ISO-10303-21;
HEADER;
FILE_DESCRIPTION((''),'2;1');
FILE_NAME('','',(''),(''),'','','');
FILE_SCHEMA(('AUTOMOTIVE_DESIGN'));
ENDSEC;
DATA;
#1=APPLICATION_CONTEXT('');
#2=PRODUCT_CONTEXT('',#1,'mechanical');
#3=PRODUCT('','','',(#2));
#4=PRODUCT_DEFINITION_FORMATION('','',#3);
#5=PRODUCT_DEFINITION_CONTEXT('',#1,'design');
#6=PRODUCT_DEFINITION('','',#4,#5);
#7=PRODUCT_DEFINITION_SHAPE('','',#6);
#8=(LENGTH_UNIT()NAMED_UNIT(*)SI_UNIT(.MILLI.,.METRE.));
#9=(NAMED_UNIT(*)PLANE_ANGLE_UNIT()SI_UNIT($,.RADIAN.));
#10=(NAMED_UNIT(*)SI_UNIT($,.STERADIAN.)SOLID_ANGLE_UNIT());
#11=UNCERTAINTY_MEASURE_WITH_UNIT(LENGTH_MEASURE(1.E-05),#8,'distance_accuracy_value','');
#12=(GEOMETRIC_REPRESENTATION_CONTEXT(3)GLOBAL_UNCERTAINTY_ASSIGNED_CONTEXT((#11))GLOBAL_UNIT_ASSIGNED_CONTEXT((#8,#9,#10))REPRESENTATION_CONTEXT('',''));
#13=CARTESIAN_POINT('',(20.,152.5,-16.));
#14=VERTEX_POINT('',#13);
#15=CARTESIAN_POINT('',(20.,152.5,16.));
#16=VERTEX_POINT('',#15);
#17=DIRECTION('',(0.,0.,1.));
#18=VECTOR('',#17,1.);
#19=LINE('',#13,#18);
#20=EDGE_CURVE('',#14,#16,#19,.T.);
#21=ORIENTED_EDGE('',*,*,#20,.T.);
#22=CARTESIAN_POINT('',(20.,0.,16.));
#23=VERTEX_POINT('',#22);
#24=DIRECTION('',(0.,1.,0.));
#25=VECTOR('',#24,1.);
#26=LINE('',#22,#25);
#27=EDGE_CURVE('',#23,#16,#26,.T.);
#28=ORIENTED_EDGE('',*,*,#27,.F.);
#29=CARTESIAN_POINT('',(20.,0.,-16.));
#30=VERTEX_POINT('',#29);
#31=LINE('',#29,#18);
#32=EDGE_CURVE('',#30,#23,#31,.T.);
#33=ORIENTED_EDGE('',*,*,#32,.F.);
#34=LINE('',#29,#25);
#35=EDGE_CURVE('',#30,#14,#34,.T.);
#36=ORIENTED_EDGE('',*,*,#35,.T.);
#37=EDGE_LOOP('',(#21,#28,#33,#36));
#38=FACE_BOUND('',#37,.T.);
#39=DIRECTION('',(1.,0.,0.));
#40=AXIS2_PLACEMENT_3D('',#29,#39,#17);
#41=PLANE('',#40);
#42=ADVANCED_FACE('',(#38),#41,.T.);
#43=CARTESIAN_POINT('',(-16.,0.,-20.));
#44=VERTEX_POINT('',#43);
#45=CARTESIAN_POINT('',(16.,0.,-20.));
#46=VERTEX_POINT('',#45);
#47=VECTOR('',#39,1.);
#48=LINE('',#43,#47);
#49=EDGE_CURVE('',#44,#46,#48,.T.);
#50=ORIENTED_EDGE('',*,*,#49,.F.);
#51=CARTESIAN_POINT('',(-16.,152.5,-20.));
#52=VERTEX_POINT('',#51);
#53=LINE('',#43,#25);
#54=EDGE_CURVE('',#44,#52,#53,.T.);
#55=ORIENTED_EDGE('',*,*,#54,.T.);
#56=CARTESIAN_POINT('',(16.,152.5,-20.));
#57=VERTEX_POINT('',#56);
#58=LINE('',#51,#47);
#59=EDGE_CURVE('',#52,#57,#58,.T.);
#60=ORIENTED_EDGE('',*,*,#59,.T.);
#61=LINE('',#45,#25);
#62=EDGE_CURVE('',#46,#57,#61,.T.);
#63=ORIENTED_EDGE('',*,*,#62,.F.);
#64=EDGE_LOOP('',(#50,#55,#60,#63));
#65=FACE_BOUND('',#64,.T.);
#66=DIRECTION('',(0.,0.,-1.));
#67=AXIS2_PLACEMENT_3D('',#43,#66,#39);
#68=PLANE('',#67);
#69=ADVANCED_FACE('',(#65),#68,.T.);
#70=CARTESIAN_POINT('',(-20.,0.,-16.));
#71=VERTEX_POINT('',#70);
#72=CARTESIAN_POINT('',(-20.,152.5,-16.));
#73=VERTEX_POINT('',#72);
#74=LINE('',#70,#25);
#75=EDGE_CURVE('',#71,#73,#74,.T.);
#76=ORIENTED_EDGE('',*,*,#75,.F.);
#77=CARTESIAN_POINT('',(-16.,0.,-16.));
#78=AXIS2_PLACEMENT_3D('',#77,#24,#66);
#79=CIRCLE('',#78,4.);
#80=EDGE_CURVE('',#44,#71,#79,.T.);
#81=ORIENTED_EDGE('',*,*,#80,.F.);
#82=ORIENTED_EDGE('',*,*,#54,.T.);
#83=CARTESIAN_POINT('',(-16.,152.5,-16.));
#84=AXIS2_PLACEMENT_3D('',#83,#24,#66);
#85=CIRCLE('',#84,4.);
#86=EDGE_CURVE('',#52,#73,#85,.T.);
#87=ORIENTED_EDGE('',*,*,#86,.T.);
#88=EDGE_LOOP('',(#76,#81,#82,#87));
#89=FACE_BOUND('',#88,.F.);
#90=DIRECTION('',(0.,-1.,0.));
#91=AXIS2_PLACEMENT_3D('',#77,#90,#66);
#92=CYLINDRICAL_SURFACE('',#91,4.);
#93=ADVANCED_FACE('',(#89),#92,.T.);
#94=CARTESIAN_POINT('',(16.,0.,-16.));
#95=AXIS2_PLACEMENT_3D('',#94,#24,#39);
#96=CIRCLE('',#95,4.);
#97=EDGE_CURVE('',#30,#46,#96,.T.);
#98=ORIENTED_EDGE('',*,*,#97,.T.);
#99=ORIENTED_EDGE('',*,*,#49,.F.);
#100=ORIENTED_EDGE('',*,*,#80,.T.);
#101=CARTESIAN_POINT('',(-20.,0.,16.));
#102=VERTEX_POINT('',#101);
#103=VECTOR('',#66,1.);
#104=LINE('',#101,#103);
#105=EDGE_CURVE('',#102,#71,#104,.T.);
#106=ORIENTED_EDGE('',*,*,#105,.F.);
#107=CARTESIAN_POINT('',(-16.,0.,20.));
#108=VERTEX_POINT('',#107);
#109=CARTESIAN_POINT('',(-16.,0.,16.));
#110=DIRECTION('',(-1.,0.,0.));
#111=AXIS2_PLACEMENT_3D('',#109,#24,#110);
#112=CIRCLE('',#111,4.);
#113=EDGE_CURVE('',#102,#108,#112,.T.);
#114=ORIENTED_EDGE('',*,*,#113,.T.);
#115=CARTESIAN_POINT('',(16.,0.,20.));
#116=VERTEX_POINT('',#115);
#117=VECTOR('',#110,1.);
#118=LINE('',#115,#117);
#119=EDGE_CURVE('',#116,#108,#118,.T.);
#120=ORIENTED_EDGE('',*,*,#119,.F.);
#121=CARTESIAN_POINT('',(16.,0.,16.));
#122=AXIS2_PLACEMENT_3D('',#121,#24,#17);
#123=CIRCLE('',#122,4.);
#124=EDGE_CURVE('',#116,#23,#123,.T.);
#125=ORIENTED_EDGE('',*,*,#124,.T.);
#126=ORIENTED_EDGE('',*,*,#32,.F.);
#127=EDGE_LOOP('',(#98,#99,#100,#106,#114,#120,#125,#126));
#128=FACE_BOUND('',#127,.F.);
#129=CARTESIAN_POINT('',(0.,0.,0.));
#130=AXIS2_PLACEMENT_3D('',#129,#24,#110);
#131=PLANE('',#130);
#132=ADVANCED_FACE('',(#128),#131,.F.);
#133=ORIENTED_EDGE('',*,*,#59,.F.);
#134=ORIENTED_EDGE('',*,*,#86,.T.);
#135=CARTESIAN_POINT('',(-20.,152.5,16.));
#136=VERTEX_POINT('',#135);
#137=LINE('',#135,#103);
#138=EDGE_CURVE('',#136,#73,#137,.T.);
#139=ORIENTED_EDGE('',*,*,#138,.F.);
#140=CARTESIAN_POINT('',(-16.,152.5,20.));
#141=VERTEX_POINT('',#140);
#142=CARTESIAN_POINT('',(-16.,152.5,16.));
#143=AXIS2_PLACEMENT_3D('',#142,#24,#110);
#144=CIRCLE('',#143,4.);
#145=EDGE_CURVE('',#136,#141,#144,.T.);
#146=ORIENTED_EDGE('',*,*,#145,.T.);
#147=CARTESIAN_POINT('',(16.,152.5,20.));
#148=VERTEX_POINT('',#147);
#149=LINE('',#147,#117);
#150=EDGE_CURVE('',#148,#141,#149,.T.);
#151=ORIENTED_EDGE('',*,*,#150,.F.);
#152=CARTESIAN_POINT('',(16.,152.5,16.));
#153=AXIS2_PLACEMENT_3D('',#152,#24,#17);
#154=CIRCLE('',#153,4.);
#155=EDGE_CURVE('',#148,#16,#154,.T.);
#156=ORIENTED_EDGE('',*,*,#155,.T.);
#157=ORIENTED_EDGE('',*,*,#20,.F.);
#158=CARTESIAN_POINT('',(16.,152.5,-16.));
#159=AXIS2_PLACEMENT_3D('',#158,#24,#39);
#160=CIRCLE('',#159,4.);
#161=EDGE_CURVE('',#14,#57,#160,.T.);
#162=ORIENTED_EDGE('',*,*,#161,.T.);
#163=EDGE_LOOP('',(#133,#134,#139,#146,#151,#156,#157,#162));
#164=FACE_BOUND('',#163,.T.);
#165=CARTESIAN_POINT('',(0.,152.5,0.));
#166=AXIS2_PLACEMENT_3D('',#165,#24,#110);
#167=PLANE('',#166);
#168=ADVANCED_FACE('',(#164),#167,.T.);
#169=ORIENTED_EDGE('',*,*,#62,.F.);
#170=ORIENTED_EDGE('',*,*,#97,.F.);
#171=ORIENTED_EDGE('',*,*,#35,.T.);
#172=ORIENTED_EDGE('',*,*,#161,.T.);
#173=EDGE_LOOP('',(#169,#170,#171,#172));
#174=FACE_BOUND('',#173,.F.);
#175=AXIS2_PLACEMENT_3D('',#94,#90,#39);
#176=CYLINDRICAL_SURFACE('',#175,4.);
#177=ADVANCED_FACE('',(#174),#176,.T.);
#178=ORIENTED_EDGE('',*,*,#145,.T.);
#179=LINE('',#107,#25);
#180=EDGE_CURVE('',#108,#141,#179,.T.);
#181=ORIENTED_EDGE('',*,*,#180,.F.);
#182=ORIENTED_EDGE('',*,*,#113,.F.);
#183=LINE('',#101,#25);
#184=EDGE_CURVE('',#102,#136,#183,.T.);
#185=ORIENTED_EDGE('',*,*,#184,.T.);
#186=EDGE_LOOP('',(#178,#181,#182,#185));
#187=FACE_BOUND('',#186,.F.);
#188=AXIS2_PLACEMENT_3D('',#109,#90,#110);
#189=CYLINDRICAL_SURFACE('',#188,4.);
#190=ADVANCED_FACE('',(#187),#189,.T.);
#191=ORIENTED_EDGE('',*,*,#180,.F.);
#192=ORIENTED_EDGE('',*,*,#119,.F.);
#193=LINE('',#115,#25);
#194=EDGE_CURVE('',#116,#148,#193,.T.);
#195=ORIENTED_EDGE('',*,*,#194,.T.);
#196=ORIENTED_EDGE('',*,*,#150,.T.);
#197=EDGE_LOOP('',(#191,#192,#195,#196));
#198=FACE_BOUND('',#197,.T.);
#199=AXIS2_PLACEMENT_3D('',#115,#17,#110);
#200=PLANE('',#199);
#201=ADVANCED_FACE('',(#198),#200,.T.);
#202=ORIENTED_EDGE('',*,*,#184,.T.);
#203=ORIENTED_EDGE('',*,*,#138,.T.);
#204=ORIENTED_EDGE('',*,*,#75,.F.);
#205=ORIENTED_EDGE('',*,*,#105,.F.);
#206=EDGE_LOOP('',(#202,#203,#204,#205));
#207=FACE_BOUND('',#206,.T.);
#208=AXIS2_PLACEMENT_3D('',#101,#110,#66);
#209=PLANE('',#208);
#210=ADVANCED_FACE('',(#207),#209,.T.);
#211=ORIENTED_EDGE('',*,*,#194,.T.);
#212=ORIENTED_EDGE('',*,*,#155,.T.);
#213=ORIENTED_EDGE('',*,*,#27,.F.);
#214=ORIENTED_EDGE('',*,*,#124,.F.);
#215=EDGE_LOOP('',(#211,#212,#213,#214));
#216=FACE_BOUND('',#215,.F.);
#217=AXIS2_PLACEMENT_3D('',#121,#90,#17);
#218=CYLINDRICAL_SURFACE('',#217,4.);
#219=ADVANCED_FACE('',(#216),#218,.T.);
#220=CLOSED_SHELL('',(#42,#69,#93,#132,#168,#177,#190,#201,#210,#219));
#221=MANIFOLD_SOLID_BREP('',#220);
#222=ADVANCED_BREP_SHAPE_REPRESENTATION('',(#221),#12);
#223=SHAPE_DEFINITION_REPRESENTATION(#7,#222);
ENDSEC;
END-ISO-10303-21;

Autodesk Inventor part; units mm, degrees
ref_plane "YZ Plane" through (0, 0, 0) normal (1, 0, 0) x (0, 1, 0)
ref_plane "XZ Plane" through (0, 0, 0) normal (0, 1, 0) x (-1, 0, 0)
ref_plane "XY Plane" through (0, 0, 0) normal (0, 0, 1) x (1, 0, 0)
sketch "Sketch1" plane through (0, 0, 0) normal (0, 1, 0) x (-1, 0, 0)
  line L0 (0, -18.0149) -> (0, 18.0149) construction
  line L1 (12.8536, 0) -> (-12.8536, 0) construction
  line L2 (16, -20) -> (-16, -20)
  arc A0 (16, -20) -> (20, -16) centre (16, -16) ccw
  line L3 (20, 16) -> (20, -16)
  arc A1 (20, 16) -> (16, 20) centre (16, 16) ccw
  line L4 (-16, 20) -> (16, 20)
  arc A2 (-20, -16) -> (-16, -20) centre (-16, -16) ccw
  arc A3 (-16, 20) -> (-20, 16) centre (-16, 16) ccw
  line L5 (-20, -16) -> (-20, 16)
  point P0 (0, 0)
  point P1 (0, 0)
  point P2 (0, 0)
  point P3 (0, 0)
  point P4 (-20, -20)
  point P5 (20, -20)
  point P6 (20, 20)
  point P7 (-20, 20)
  dimension "d0" = 40
  dimension "d1" = 40
  dimension "d2" = 4
extrude "Extrusion1" add sketch "Sketch1" along normal blind 152.5
properties part number "Item4040BearingHolder"
